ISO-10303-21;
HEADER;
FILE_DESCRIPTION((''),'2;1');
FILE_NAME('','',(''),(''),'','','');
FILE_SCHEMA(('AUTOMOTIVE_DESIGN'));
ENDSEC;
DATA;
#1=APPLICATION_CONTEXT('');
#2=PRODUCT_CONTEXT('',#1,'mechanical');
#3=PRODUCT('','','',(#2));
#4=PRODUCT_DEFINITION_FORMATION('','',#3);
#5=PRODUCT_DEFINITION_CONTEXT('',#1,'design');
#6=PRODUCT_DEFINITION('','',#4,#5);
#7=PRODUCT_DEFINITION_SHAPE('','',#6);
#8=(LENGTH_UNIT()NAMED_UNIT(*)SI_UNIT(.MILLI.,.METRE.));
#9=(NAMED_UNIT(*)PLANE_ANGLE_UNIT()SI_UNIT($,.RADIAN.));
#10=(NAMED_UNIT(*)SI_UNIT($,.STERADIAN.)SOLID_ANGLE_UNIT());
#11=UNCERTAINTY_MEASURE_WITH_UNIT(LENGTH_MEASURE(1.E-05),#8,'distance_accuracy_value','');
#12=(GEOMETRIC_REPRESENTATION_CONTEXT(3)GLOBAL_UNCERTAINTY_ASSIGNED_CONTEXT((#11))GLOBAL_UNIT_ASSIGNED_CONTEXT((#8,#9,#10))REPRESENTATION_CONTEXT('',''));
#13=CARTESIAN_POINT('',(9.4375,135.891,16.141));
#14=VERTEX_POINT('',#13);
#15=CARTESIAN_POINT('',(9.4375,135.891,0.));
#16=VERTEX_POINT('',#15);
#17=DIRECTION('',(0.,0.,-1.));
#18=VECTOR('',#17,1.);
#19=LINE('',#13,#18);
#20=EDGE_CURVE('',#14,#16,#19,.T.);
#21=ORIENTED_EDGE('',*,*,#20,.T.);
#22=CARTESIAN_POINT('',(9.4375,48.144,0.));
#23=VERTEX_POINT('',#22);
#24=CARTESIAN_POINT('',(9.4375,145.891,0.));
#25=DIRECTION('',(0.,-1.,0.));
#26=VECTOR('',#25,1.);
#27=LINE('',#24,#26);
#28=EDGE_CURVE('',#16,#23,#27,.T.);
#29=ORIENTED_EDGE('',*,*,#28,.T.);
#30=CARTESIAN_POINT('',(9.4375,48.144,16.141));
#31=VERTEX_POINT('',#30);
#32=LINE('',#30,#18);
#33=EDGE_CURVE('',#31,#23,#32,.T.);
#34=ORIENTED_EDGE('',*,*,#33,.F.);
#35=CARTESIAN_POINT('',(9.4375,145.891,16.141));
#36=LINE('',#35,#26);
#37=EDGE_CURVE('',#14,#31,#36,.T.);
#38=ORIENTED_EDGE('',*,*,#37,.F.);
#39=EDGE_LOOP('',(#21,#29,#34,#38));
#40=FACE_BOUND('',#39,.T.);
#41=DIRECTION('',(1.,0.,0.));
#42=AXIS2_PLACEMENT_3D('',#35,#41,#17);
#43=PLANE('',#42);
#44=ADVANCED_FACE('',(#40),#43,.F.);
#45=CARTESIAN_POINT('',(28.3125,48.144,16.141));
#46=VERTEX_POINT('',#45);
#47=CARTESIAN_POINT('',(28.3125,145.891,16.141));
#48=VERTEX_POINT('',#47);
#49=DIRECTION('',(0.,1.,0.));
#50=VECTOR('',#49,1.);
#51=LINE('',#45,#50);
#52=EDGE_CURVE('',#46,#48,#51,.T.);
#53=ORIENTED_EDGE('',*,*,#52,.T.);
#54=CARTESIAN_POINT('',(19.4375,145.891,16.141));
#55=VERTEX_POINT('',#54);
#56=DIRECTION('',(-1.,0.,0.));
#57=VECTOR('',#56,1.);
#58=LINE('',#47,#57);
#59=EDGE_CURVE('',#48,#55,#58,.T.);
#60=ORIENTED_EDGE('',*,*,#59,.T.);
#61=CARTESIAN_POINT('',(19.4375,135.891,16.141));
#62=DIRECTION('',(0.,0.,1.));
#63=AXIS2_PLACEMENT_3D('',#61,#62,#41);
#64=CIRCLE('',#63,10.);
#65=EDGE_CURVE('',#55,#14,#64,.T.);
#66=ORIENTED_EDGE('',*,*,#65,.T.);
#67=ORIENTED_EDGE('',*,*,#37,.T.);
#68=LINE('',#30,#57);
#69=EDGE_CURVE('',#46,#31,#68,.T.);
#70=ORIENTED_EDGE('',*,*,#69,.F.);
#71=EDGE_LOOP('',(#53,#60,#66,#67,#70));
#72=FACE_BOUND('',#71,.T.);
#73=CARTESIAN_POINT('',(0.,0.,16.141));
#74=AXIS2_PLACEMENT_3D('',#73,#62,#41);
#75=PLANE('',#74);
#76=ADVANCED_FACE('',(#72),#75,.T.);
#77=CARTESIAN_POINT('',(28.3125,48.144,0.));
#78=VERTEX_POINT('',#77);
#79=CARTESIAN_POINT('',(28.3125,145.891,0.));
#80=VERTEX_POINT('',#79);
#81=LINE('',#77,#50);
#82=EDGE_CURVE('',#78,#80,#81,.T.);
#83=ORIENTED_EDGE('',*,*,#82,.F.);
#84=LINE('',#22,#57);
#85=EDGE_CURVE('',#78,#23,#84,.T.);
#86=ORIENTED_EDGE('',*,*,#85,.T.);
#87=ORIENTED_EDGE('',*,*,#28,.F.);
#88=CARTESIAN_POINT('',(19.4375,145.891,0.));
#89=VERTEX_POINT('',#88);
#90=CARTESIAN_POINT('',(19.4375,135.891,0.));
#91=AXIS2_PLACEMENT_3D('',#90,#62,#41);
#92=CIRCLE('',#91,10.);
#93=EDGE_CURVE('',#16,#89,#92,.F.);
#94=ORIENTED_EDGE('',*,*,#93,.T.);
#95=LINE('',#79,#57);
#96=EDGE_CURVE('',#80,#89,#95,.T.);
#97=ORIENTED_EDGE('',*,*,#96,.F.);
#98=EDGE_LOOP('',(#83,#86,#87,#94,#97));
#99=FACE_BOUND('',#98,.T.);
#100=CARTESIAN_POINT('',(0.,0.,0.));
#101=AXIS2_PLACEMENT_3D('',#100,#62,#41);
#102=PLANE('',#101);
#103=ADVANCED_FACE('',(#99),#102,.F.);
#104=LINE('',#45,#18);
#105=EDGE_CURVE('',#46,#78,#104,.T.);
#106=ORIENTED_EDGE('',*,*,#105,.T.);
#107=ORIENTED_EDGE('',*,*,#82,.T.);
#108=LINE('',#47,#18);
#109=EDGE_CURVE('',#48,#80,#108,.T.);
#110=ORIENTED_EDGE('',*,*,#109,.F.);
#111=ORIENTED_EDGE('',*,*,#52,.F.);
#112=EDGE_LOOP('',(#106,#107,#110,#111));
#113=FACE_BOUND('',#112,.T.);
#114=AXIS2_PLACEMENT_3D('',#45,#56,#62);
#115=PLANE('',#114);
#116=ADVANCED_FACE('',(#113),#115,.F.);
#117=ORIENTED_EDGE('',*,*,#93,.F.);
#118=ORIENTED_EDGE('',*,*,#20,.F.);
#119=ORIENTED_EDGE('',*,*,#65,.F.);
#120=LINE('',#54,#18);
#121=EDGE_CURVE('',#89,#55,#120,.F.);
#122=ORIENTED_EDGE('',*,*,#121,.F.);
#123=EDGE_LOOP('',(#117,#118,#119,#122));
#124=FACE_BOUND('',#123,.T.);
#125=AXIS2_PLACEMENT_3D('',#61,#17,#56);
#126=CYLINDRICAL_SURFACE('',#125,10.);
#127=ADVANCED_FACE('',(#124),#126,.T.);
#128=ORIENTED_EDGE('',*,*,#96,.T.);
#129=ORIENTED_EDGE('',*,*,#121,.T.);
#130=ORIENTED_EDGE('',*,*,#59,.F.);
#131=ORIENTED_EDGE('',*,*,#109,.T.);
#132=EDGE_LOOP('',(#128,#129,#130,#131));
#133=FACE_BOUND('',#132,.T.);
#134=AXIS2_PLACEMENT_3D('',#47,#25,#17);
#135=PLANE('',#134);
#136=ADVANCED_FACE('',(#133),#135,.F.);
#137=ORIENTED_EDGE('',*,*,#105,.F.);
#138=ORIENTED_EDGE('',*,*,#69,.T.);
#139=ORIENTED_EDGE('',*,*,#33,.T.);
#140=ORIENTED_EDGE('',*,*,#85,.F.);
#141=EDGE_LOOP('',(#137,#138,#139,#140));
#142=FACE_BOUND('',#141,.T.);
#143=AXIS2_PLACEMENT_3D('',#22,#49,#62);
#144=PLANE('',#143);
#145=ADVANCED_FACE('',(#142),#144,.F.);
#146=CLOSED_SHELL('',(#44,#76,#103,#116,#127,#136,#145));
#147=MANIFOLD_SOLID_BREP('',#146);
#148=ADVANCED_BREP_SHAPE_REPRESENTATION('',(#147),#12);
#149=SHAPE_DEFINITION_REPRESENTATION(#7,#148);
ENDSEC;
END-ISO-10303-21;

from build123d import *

# Parameters (mm, degrees)
SKETCH1_R           = 1.7
BOSS_EXTRUDE3_DEPTH = 16.141
CUT_EXTRUDE1_DEPTH  = 152.557838009
FILLET1_R           = 10


with BuildPart() as part:
    # Sketch1 → Boss-Extrude3 (new body)
    with BuildSketch(Plane.XY):
        Polygon((0, 0), (37.75, 0), (37.75, 29.178), (28.3125, 48.144), (28.3125, 145.891), (9.4375, 145.891), (9.4375, 48.144), (0, 29.178), align=None)
        with Locations((5.6625, 8.494)):
            Circle(SKETCH1_R, mode=Mode.SUBTRACT)
        with Locations((32.0875, 8.494)):
            Circle(SKETCH1_R, mode=Mode.SUBTRACT)
    extrude(amount=BOSS_EXTRUDE3_DEPTH)

    # Sketch2 → Cut-Extrude1 (cut, through all)
    with BuildSketch(Plane.XY.offset(16.141)):
        Polygon((9.4375, 48.144), (28.3125, 48.144), (37.75, 29.178), (37.75, 0), (0, 0), (0, 29.178), align=None)
    extrude(amount=-CUT_EXTRUDE1_DEPTH, mode=Mode.SUBTRACT)

    # Fillet1
    fillet1_edges = [part.edges().sort_by_distance(p)[0] for p in [
        (9.4375, 145.891, 8.0705),
    ]]
    fillet(fillet1_edges, radius=FILLET1_R)


solid = part.part
